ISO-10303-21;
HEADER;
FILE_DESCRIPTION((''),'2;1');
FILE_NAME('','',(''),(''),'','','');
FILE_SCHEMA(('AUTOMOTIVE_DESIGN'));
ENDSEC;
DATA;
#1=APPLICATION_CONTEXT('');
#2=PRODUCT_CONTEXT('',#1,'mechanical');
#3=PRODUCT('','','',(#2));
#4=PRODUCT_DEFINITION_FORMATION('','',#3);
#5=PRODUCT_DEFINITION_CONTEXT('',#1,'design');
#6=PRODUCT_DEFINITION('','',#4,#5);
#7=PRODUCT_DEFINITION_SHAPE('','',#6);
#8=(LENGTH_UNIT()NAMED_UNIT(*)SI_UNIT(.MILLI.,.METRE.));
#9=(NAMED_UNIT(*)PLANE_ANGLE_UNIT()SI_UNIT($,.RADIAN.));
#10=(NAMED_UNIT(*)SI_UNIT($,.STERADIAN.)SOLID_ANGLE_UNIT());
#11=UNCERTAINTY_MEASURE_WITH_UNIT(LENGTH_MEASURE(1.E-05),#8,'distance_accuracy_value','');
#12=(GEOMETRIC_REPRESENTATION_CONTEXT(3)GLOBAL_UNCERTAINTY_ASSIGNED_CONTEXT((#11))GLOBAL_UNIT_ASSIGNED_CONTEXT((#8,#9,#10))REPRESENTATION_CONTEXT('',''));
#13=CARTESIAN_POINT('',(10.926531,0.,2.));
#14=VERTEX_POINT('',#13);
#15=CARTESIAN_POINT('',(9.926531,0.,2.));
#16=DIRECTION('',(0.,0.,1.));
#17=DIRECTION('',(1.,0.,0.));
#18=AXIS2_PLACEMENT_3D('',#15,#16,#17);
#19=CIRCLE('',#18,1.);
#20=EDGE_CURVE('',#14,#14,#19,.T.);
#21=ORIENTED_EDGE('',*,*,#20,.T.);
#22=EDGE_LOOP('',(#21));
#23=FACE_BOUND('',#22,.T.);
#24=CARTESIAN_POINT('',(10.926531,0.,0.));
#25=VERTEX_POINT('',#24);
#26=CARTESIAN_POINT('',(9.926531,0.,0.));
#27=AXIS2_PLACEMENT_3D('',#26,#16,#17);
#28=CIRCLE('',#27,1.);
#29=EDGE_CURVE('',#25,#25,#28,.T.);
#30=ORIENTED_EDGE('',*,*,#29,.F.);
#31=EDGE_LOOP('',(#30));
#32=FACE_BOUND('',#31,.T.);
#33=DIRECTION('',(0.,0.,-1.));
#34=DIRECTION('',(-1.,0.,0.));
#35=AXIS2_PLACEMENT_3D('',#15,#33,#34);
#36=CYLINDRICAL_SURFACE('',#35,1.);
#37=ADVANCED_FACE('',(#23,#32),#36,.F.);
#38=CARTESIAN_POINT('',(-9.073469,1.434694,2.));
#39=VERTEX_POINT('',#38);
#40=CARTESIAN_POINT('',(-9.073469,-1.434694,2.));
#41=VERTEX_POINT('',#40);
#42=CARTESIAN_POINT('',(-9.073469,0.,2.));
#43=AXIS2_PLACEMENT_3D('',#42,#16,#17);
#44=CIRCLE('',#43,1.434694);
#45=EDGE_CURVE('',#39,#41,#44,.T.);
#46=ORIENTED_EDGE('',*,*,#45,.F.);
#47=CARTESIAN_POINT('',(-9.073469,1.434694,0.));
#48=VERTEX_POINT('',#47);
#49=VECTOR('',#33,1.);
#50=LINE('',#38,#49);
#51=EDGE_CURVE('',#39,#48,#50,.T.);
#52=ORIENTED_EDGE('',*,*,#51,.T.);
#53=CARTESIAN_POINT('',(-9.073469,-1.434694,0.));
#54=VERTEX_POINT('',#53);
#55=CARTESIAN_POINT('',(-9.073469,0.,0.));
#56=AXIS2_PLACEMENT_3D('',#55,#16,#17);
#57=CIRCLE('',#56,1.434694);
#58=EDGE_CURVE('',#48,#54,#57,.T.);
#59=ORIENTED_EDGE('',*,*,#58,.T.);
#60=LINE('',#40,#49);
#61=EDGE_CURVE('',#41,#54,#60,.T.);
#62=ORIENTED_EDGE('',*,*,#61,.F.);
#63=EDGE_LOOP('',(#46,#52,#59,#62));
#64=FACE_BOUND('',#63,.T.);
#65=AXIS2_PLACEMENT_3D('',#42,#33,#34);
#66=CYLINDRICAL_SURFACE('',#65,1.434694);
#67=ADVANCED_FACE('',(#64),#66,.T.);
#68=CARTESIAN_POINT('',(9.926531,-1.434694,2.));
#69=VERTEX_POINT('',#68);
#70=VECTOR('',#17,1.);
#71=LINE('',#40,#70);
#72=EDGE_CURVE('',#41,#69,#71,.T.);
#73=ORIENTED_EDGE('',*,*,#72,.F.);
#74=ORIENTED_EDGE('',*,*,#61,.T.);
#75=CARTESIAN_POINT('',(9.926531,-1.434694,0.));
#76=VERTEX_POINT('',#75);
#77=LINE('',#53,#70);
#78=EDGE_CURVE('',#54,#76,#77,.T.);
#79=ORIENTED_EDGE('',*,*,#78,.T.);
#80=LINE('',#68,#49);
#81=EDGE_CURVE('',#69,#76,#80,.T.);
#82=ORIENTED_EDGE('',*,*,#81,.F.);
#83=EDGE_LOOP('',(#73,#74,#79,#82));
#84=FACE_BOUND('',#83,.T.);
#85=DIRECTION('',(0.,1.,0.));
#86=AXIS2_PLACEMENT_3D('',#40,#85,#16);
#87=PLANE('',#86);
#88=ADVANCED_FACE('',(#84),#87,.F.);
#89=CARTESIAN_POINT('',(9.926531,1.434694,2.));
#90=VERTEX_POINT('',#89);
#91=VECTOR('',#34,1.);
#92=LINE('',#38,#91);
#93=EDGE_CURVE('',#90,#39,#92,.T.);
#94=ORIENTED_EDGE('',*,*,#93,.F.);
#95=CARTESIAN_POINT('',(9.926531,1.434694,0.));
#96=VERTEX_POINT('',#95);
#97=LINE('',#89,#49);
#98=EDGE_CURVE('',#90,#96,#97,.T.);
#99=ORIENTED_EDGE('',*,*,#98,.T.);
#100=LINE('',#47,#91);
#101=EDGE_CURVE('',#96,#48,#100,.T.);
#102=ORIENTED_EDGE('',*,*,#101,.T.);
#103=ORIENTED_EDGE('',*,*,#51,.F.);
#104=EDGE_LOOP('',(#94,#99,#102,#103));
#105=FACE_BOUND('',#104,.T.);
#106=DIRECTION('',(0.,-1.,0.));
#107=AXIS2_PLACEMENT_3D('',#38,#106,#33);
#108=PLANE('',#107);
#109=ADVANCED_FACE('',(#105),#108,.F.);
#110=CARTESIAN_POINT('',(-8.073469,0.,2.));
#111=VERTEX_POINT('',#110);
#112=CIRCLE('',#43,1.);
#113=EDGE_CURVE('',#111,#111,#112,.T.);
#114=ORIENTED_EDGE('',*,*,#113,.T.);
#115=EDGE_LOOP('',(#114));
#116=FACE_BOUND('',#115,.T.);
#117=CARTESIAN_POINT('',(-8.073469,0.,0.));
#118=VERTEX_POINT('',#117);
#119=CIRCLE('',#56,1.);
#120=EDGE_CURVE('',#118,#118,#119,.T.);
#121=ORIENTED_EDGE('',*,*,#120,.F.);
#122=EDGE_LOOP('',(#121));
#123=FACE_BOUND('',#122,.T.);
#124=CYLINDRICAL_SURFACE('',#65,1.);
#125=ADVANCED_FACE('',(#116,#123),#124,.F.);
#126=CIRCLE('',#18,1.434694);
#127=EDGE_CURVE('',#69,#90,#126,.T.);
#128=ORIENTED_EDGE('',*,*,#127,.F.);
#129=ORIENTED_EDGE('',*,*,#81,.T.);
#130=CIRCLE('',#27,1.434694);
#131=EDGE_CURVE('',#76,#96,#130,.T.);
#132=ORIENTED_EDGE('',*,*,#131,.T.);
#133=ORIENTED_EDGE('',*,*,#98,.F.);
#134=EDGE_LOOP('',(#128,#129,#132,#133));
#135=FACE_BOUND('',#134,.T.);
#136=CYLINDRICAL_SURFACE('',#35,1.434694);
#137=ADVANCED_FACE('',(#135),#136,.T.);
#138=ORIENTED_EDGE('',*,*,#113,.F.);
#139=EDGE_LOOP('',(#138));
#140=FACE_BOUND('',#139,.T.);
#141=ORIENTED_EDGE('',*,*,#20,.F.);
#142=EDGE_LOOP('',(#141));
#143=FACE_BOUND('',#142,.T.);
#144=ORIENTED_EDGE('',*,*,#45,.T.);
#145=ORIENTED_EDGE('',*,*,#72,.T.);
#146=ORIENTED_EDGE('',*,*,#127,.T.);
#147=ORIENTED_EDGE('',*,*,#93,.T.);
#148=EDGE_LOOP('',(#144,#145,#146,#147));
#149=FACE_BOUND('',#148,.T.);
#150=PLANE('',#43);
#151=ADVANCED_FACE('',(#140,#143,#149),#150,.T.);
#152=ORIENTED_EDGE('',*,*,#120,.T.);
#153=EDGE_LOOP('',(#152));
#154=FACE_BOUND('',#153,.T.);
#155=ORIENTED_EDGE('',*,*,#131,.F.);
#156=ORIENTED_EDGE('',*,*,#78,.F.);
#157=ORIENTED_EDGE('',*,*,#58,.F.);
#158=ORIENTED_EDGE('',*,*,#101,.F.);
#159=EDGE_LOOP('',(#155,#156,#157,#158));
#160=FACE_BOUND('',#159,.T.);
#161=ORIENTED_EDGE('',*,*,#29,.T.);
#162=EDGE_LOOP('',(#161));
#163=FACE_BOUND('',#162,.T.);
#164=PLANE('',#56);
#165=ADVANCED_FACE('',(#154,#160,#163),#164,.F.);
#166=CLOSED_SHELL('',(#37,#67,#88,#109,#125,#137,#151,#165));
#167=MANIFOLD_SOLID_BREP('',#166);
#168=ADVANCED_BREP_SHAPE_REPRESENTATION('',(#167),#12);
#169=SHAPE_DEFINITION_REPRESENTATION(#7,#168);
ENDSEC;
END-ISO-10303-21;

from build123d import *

# Parameters (mm, degrees)
SKETCH1_R           = 1
BOSS_EXTRUDE1_DEPTH = 2


with BuildPart() as part:
    # Sketch1 → Boss-Extrude1 (new body)
    with BuildSketch(Plane.XY):
        with BuildLine():
            Line((-9.073469388, 1.434693878), (9.926530612, 1.434693878))
            ThreePointArc((9.926530612, 1.434693878), (11.36122449, 0), (9.926530612, -1.434693878))
            Line((9.926530612, -1.434693878), (-9.073469388, -1.434693878))
            ThreePointArc((-9.073469388, -1.434693878), (-10.508163265, 0), (-9.073469388, 1.434693878))
        make_face()
        with Locations((9.926530612, 0)):
            Circle(SKETCH1_R, mode=Mode.SUBTRACT)
        with Locations((-9.073469388, 0)):
            Circle(SKETCH1_R, mode=Mode.SUBTRACT)
    extrude(amount=BOSS_EXTRUDE1_DEPTH)


solid = part.part
